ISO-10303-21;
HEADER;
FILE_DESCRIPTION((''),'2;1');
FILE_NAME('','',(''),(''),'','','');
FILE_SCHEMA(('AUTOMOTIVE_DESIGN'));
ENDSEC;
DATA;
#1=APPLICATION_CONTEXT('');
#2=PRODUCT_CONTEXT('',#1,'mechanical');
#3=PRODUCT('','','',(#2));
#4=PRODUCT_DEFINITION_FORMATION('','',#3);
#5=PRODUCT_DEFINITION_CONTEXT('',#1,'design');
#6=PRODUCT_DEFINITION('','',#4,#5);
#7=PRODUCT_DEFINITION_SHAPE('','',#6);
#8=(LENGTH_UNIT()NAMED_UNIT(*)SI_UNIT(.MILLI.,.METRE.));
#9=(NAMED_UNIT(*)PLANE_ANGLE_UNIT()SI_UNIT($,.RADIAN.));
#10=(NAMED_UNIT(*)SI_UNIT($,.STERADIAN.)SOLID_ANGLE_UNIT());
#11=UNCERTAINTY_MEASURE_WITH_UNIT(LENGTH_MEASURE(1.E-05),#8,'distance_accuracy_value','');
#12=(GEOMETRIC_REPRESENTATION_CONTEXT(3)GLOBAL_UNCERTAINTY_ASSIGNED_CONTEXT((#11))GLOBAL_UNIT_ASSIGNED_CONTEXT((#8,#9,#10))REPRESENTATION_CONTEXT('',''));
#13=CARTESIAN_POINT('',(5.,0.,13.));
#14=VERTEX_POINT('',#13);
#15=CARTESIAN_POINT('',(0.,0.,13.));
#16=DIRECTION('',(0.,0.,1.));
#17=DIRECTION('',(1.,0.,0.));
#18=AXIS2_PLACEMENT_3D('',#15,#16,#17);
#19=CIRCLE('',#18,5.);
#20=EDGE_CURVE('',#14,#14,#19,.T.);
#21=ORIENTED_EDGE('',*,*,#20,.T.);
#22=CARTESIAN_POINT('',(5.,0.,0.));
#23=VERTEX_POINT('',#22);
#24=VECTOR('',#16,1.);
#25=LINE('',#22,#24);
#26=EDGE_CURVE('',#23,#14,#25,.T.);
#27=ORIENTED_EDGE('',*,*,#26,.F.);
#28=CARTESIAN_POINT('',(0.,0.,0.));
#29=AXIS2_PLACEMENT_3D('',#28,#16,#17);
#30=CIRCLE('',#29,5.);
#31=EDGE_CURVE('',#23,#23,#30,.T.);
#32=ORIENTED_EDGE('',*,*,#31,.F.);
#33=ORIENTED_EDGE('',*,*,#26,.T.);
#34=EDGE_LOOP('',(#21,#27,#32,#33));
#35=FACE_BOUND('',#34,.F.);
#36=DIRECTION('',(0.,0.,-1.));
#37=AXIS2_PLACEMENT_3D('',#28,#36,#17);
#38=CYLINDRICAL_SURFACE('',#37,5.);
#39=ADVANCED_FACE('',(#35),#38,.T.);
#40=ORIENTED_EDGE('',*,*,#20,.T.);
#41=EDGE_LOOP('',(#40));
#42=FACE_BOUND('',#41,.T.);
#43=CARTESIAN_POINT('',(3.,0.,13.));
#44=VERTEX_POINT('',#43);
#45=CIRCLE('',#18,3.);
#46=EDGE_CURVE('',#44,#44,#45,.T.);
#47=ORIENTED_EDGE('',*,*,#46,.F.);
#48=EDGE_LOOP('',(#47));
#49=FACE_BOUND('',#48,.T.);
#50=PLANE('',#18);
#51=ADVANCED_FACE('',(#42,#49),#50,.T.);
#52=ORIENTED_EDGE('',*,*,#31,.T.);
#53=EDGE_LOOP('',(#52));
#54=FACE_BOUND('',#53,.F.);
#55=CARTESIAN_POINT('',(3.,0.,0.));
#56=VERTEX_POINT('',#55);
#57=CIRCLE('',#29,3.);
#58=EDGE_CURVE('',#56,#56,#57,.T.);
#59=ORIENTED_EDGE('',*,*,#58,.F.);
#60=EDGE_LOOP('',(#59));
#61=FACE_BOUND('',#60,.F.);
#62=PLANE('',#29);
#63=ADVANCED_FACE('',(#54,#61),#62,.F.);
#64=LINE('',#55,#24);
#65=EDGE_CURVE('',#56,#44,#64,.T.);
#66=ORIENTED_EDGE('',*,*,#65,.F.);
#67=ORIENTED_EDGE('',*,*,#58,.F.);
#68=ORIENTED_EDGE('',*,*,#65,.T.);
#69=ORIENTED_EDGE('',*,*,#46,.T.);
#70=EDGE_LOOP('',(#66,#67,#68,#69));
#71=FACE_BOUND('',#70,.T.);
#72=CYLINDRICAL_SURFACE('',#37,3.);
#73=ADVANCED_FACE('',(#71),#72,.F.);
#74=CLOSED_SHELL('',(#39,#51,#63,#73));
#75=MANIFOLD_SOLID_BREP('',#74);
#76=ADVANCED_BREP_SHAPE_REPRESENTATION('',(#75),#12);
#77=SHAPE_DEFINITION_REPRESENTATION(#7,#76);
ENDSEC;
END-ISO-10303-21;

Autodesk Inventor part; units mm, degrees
ref_plane "YZ Plane" through (0, 0, 0) normal (1, 0, 0) x (0, 1, 0)
ref_plane "XZ Plane" through (0, 0, 0) normal (0, 1, 0) x (-1, 0, 0)
ref_plane "XY Plane" through (0, 0, 0) normal (0, 0, 1) x (1, 0, 0)
sketch "スケッチ1" plane through (0, 0, 0) normal (0, 0, 1) x (1, 0, 0)
  circle A0 centre (0, 0) radius 5
  circle A1 centre (0, 0) radius 3
  dimension "d0" = 10
  dimension "d1" = 6
extrude "押し出し1" add sketch "スケッチ1" along normal blind 13
properties part number "スペーサーM6L13樹脂" material "アセタール樹脂、白"
